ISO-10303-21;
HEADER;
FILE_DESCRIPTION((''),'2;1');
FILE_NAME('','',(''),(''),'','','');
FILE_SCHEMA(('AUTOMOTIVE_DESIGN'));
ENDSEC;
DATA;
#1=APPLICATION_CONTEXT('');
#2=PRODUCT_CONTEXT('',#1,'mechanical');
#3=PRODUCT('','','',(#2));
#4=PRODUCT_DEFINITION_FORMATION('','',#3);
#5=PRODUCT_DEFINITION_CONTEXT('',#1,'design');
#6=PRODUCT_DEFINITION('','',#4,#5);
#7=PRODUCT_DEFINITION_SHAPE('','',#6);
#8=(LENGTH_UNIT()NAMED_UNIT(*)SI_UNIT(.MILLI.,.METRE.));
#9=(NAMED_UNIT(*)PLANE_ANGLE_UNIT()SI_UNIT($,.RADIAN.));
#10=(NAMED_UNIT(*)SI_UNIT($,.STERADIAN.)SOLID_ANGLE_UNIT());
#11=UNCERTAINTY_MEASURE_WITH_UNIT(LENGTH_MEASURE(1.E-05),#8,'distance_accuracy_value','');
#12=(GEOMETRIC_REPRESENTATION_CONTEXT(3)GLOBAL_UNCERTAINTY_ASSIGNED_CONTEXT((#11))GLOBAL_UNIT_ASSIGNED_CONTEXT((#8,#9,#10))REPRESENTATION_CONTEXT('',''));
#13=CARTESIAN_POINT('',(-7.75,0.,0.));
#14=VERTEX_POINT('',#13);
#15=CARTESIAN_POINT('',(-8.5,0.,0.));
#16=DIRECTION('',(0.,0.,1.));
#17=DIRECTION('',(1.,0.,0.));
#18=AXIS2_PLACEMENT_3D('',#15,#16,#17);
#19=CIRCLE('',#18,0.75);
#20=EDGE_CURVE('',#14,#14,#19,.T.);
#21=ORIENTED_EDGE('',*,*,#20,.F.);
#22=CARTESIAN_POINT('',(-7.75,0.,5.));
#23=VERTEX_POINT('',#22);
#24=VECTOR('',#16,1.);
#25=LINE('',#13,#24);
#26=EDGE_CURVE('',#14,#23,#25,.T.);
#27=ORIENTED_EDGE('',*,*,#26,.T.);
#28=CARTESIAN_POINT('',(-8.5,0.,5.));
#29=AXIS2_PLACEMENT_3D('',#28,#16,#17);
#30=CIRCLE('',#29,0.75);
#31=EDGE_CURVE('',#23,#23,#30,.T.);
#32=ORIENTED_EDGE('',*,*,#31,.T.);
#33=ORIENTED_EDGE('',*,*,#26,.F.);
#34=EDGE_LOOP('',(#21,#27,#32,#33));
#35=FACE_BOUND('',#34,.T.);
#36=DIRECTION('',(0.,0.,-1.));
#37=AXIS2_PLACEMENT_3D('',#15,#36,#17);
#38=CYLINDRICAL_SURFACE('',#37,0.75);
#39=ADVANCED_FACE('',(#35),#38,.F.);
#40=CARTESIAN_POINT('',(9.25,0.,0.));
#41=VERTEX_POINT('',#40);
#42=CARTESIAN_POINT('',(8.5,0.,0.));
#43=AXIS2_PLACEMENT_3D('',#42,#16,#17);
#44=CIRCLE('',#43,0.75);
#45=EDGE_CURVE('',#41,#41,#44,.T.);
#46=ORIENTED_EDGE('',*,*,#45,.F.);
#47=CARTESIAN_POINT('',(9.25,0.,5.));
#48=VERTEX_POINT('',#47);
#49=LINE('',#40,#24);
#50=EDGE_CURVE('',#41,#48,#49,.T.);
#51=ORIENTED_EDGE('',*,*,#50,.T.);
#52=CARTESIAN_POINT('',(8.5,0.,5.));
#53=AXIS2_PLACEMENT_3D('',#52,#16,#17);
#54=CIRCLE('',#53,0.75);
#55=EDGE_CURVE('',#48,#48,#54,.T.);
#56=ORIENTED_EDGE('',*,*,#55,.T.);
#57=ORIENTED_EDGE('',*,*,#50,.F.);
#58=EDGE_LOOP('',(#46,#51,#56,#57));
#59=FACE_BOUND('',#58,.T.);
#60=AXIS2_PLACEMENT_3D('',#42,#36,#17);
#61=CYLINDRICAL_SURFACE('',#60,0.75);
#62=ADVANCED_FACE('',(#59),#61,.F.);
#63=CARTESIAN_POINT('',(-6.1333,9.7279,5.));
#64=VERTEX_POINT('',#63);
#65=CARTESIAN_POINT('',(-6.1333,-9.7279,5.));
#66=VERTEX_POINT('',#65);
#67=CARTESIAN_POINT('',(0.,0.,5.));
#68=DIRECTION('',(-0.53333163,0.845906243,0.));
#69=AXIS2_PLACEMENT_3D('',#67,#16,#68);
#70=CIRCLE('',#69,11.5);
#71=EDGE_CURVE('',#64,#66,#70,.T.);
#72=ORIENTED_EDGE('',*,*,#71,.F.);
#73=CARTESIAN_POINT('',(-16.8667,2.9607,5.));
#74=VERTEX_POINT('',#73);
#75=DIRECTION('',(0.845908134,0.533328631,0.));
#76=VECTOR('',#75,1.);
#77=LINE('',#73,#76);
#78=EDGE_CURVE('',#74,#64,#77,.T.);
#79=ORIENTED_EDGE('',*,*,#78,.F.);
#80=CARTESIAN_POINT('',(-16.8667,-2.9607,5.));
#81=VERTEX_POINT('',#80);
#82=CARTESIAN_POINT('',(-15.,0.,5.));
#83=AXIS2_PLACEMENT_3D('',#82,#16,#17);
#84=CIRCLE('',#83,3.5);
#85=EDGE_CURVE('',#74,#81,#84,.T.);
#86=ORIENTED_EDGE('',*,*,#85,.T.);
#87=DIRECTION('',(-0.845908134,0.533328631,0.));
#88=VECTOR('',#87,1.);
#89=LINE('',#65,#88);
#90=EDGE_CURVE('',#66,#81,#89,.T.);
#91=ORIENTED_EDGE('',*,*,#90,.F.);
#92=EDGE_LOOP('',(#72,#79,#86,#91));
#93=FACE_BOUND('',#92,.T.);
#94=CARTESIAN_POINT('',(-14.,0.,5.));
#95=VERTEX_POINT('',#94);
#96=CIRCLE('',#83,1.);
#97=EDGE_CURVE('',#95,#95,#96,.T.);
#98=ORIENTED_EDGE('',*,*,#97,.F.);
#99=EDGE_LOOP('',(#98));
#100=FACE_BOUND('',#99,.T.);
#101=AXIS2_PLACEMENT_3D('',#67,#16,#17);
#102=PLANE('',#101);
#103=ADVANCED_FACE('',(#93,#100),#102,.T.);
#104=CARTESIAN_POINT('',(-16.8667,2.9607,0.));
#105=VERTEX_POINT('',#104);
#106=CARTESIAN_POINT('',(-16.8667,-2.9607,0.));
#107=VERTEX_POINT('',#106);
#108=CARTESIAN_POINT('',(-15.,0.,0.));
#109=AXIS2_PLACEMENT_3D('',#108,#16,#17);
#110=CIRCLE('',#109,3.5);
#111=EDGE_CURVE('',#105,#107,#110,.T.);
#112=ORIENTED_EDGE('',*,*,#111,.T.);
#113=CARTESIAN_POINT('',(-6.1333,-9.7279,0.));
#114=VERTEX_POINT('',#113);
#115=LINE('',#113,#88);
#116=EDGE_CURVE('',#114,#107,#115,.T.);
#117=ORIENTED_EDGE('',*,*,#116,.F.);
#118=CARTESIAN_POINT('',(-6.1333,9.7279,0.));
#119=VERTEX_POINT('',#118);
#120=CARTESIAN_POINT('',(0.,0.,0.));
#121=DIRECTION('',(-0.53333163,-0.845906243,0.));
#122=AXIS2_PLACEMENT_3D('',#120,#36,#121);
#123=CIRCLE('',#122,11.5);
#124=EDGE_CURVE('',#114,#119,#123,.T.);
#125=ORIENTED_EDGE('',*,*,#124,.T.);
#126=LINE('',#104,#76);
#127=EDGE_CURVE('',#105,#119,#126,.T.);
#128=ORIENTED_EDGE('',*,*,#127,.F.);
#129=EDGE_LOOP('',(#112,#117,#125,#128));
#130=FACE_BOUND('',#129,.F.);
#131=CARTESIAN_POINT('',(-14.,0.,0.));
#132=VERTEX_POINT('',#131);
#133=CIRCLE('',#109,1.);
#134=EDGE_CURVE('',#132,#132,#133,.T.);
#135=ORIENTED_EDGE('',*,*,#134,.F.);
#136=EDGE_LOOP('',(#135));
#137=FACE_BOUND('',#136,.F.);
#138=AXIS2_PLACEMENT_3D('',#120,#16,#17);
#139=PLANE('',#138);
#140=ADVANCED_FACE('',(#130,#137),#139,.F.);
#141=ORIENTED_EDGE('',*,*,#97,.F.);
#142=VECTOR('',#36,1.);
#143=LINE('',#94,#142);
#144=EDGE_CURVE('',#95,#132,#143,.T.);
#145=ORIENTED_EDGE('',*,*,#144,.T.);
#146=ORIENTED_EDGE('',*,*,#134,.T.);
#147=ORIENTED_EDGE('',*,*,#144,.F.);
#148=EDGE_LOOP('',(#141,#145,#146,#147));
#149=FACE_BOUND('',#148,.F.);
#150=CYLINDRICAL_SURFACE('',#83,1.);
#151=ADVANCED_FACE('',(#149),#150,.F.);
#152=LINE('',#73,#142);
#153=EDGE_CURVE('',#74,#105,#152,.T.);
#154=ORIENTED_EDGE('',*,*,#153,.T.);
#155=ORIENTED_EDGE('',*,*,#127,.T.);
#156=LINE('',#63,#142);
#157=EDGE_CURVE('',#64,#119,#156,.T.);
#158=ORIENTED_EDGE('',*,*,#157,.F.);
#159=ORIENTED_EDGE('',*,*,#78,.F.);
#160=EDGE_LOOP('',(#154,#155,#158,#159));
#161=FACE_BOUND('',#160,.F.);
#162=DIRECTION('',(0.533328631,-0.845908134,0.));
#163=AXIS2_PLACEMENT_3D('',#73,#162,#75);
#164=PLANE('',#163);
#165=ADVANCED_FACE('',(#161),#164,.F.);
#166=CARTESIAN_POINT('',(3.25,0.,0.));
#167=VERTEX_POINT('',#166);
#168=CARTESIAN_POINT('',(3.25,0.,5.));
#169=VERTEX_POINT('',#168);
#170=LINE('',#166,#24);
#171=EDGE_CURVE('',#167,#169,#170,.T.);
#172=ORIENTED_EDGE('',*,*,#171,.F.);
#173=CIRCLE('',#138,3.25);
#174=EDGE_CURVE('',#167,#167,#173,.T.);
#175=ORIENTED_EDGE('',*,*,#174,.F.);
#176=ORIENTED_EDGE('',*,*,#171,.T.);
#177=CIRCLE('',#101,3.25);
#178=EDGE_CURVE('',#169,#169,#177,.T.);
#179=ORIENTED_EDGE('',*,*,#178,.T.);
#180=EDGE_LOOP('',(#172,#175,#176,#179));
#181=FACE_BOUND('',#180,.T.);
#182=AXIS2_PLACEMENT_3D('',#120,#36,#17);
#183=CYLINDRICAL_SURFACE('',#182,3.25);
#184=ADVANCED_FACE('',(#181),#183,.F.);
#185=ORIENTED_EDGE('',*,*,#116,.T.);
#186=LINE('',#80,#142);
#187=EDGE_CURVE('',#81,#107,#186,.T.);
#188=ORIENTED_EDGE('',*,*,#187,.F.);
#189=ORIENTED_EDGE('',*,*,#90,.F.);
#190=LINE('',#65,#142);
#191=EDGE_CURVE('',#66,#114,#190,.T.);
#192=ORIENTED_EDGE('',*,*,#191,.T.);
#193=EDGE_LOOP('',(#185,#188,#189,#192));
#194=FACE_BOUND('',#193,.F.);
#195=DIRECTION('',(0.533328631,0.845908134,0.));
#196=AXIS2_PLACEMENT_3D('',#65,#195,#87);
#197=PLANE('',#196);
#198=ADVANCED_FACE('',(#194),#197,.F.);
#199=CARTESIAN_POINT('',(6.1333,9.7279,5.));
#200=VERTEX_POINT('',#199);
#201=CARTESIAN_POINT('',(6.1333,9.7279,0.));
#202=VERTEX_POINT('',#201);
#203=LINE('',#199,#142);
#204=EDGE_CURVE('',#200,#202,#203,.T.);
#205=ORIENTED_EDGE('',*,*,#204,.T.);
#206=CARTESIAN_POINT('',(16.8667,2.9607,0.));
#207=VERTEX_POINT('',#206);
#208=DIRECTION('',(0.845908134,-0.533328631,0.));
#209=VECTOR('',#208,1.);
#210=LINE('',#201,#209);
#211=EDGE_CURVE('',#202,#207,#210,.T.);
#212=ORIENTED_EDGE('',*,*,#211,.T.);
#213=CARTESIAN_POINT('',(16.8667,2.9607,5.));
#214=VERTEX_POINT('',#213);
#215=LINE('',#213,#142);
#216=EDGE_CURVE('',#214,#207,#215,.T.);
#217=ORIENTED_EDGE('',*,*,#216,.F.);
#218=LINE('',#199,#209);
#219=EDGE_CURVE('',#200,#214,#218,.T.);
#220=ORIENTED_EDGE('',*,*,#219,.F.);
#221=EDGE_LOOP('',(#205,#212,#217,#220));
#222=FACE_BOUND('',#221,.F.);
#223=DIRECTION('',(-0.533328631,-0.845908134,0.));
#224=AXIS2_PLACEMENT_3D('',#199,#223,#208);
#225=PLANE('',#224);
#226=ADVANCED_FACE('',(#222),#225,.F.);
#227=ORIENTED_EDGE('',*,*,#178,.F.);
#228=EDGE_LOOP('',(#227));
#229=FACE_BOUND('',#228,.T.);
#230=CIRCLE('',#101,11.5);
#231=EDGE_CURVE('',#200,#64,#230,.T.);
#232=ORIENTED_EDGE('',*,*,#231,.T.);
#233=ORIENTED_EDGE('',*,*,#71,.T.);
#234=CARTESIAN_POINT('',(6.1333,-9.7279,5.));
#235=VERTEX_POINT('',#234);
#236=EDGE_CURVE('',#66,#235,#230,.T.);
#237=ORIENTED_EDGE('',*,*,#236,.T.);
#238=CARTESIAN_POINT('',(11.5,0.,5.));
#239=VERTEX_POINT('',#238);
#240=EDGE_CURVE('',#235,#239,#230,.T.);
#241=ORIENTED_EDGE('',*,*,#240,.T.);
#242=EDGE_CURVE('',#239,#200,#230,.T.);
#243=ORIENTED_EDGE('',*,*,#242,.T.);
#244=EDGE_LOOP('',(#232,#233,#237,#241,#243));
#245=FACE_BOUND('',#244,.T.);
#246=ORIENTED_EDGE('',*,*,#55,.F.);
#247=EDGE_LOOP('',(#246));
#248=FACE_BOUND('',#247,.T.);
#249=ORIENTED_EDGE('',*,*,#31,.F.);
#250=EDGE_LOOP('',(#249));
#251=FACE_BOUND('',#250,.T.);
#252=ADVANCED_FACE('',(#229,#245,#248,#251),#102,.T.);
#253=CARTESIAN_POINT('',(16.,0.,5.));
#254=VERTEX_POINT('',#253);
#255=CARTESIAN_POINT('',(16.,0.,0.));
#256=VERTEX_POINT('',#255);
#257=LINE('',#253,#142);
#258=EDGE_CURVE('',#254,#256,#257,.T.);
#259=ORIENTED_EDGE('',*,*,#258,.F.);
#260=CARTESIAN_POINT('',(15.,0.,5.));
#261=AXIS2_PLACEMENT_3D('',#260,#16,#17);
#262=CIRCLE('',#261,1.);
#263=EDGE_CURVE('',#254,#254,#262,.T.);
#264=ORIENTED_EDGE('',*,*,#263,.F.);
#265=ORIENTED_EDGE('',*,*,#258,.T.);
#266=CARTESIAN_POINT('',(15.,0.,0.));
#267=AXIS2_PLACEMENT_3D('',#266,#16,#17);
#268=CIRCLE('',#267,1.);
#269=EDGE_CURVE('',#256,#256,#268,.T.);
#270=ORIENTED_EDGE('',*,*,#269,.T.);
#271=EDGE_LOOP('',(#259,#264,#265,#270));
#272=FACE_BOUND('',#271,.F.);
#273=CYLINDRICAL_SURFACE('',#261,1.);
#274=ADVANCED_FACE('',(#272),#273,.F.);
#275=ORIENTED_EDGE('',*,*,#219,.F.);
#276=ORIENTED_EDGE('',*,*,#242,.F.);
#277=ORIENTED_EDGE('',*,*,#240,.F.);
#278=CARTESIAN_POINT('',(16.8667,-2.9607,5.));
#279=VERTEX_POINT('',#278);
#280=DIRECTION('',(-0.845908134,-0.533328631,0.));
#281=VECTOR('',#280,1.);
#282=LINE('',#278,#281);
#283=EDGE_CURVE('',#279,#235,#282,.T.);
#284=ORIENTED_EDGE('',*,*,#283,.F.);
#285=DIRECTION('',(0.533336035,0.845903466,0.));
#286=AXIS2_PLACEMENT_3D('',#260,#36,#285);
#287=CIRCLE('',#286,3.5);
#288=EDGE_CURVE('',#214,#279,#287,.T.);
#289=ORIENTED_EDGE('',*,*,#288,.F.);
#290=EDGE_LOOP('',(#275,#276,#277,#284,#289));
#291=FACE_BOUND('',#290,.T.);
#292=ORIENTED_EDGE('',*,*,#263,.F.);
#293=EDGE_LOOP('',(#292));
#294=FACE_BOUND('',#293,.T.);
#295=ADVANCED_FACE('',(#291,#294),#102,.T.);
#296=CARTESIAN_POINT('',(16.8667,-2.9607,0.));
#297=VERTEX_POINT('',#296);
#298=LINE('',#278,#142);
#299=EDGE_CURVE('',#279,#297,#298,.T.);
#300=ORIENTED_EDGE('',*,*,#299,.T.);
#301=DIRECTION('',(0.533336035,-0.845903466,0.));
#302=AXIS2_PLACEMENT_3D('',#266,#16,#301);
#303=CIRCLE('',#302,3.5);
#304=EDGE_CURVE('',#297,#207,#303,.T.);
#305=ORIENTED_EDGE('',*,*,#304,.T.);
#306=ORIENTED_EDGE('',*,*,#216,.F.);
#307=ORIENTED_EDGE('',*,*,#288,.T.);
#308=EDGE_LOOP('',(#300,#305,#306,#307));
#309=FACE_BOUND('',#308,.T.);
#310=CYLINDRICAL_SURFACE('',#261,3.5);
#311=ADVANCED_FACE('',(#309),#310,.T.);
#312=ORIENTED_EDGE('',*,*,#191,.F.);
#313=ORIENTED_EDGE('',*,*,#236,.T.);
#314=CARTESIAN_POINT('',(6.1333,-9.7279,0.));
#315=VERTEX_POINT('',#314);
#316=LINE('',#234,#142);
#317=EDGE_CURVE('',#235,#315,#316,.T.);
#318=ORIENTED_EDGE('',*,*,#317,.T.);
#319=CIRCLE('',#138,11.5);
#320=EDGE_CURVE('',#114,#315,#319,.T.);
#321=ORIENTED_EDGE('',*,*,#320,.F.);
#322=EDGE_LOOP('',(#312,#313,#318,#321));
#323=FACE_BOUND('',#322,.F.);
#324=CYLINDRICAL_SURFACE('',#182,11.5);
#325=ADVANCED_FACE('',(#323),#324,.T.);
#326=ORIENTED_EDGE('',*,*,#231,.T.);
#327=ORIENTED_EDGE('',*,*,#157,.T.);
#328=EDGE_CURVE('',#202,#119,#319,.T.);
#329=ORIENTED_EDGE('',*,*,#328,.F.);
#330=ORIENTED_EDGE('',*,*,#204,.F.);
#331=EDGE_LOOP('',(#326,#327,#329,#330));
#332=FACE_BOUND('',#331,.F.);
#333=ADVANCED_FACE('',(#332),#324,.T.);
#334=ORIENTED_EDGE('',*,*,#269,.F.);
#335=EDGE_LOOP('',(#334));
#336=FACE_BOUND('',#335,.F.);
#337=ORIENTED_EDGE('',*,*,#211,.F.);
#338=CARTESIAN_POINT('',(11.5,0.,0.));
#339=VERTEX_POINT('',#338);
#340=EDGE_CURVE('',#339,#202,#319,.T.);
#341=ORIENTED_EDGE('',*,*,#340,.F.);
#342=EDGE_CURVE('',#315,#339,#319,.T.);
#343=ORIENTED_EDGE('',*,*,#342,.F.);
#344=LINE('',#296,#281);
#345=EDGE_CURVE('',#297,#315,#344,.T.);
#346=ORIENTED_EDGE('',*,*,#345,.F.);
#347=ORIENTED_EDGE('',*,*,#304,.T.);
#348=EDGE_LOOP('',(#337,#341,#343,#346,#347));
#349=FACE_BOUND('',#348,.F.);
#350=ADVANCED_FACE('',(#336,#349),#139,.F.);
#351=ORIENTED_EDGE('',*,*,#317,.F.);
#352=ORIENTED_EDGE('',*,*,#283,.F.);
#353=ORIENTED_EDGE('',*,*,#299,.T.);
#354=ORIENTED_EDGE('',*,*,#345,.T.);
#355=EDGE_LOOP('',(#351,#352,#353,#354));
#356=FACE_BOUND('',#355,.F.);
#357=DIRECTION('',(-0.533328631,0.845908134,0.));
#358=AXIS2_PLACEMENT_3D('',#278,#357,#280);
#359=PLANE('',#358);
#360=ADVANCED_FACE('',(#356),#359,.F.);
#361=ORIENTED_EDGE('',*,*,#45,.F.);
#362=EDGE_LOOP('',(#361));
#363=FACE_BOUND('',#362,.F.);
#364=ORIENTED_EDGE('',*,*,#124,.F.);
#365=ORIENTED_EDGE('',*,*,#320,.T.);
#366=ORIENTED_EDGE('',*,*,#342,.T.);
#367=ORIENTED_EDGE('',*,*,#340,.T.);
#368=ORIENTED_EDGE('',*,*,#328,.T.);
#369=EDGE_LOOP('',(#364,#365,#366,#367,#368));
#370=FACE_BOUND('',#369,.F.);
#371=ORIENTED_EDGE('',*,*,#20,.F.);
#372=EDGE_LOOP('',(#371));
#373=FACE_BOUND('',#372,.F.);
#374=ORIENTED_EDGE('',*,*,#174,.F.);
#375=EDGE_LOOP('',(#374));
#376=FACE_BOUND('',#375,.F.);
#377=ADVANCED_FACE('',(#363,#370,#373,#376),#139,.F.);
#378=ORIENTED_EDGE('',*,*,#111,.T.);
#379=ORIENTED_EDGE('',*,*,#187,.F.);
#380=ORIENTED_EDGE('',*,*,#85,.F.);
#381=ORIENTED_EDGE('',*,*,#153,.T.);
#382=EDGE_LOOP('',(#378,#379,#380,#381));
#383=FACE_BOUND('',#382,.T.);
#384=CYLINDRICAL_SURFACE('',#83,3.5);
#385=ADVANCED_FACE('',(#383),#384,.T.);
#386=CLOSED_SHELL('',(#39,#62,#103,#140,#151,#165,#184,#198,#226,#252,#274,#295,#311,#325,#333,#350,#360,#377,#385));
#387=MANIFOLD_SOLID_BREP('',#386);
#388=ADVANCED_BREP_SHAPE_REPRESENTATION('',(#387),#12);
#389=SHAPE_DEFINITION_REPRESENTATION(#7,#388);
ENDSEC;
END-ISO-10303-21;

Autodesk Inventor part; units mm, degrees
ref_plane "YZ Plane" through (0, 0, 0) normal (1, 0, 0) x (0, 1, 0)
ref_plane "XZ Plane" through (0, 0, 0) normal (0, 1, 0) x (-1, 0, 0)
ref_plane "XY Plane" through (0, 0, 0) normal (0, 0, 1) x (1, 0, 0)
sketch "Sketch1" plane through (0, 0, 0) normal (0, 0, 1) x (1, 0, 0)
  circle A0 centre (0, 0) radius 11.5
  circle A1 centre (0, 0) radius 3.25
  circle A2 centre (8.5, 0) radius 0.75
  circle A3 centre (-8.5, 0) radius 0.75
  dimension "d0" = 23
  dimension "d1" = 6.5
  dimension "d2" = 1.5
  dimension "d3" = 8.5
  dimension "d6" = 360
extrude "Extrusion1" add sketch "Sketch1" along normal blind 5
sketch "Sketch3" plane through (0, 0, 5) normal (0, 0, 1) x (1, 0, 0)
  circle A0 centre (15, 0) radius 1
  circle A1 centre (15, 0) radius 3.5
  circle A2 centre (0, 0) radius 11.5 projected
  line L0 (6.1333, 9.7279) -> (16.8667, 2.9607)
  line L1 (16.8667, -2.9607) -> (6.1333, -9.7279)
  circle A3 centre (0, 0) radius 11.5 projected
  arc A4 (6.1333, -9.7279) -> (6.1333, 9.7279) centre (0, 0) ccw
  circle A5 centre (-15, 0) radius 1
  circle A6 centre (-15, 0) radius 3.5
  line L2 (-6.1333, -9.7279) -> (-16.8667, -2.9607)
  line L3 (-16.8667, 2.9607) -> (-6.1333, 9.7279)
  arc A7 (-6.1333, 9.7279) -> (-6.1333, -9.7279) centre (0, 0) ccw
  dimension "d17" = 2
  dimension "d18" = 15
  dimension "d21" = 360
extrude "Extrusion3" add sketch "Sketch3" against normal blind 5 contours A1 | A1 A2 L0 | L1 A2 A1 | A2 A6 L3 | L2 A6 A2 | A6
properties part number "AC07" material "ABS Plastic"
